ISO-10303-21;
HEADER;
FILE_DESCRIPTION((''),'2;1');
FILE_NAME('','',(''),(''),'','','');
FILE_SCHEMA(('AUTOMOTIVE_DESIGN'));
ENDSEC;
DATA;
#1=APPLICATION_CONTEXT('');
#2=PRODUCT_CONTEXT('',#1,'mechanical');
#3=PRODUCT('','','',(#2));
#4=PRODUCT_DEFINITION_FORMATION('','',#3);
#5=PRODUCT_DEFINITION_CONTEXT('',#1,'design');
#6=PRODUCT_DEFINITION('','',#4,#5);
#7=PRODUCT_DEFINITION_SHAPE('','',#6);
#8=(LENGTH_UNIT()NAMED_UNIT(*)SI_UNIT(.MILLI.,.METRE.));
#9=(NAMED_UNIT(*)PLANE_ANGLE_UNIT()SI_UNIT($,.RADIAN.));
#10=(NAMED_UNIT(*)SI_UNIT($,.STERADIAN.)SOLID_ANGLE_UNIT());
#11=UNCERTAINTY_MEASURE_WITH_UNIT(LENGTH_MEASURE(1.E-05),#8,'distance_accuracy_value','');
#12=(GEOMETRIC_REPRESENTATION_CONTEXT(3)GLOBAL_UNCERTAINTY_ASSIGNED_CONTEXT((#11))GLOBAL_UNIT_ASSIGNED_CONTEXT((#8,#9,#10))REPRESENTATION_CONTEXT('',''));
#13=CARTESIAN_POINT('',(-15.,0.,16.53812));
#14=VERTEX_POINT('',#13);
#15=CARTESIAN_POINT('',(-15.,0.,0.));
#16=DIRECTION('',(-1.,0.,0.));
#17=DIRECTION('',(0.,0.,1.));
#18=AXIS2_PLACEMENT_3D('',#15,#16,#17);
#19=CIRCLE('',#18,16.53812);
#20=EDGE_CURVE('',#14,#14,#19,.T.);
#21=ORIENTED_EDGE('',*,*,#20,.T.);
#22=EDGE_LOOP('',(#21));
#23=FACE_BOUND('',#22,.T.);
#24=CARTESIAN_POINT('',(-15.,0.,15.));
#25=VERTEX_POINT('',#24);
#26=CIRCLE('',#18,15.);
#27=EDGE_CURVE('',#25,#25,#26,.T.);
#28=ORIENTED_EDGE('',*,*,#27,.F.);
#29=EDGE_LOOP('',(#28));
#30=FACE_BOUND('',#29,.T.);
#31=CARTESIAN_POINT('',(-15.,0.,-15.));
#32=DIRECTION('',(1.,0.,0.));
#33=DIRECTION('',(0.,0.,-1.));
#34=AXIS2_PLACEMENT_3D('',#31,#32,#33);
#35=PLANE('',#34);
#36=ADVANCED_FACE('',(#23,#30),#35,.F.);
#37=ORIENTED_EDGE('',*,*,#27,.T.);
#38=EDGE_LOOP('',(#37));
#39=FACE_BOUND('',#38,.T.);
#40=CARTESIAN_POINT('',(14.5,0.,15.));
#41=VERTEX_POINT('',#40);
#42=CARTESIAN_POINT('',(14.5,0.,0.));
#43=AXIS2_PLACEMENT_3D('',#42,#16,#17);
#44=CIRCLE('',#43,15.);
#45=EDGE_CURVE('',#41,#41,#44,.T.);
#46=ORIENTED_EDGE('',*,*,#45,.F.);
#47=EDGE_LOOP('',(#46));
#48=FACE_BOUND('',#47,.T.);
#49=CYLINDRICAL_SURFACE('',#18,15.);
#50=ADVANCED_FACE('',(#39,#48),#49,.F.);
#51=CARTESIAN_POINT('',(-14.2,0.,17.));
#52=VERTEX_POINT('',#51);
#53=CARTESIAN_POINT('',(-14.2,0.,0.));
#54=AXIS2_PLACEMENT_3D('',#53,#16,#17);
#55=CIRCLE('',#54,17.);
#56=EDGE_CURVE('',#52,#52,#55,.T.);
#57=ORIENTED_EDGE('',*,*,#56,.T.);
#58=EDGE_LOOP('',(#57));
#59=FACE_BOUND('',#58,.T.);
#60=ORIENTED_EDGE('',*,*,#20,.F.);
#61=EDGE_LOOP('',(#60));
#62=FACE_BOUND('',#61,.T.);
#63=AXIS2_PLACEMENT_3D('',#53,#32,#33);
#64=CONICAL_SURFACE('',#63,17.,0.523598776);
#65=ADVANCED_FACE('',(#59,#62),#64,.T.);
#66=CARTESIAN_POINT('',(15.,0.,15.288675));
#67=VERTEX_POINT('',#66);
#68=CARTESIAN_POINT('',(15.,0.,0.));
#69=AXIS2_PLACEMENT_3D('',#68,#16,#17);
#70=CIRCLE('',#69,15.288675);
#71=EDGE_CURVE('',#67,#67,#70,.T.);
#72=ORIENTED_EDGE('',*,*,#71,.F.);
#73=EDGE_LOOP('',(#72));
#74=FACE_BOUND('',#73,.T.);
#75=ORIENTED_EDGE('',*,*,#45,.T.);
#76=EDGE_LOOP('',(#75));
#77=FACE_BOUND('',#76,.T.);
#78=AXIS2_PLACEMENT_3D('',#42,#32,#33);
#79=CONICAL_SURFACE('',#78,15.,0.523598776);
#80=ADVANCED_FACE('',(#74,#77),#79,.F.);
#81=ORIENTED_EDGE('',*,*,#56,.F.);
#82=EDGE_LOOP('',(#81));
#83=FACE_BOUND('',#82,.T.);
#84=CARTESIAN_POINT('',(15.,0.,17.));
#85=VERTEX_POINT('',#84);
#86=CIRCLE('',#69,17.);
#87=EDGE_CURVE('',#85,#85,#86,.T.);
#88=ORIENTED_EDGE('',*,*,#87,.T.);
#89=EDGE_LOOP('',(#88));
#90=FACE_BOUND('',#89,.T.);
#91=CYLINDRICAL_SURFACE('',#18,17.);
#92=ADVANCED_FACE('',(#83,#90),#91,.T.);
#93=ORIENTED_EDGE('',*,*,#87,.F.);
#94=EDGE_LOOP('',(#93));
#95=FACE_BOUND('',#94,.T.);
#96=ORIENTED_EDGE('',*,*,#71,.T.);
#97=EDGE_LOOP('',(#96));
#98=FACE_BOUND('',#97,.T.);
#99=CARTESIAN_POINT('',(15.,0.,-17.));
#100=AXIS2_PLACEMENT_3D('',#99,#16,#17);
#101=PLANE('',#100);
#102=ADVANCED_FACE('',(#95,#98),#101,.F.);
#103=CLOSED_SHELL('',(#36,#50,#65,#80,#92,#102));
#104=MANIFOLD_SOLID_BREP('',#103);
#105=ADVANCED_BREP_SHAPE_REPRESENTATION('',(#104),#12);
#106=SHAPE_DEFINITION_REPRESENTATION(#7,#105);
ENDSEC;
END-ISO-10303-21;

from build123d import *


with BuildPart() as part:
    # Skizze1 → Rotation1 (revolve)
    with BuildSketch(Plane(origin=(0, 0, 0), x_dir=(1, 0, 0), z_dir=(0, 1, 0))):
        Polygon((-14.2, 17), (15, 17), (15, 15.288675135), (14.5, 15), (-15, 15), (-15, 16.538119785), align=None)
    revolve(axis=Axis((-15, 0, 0), (1, 0, 0)))


solid = part.part
